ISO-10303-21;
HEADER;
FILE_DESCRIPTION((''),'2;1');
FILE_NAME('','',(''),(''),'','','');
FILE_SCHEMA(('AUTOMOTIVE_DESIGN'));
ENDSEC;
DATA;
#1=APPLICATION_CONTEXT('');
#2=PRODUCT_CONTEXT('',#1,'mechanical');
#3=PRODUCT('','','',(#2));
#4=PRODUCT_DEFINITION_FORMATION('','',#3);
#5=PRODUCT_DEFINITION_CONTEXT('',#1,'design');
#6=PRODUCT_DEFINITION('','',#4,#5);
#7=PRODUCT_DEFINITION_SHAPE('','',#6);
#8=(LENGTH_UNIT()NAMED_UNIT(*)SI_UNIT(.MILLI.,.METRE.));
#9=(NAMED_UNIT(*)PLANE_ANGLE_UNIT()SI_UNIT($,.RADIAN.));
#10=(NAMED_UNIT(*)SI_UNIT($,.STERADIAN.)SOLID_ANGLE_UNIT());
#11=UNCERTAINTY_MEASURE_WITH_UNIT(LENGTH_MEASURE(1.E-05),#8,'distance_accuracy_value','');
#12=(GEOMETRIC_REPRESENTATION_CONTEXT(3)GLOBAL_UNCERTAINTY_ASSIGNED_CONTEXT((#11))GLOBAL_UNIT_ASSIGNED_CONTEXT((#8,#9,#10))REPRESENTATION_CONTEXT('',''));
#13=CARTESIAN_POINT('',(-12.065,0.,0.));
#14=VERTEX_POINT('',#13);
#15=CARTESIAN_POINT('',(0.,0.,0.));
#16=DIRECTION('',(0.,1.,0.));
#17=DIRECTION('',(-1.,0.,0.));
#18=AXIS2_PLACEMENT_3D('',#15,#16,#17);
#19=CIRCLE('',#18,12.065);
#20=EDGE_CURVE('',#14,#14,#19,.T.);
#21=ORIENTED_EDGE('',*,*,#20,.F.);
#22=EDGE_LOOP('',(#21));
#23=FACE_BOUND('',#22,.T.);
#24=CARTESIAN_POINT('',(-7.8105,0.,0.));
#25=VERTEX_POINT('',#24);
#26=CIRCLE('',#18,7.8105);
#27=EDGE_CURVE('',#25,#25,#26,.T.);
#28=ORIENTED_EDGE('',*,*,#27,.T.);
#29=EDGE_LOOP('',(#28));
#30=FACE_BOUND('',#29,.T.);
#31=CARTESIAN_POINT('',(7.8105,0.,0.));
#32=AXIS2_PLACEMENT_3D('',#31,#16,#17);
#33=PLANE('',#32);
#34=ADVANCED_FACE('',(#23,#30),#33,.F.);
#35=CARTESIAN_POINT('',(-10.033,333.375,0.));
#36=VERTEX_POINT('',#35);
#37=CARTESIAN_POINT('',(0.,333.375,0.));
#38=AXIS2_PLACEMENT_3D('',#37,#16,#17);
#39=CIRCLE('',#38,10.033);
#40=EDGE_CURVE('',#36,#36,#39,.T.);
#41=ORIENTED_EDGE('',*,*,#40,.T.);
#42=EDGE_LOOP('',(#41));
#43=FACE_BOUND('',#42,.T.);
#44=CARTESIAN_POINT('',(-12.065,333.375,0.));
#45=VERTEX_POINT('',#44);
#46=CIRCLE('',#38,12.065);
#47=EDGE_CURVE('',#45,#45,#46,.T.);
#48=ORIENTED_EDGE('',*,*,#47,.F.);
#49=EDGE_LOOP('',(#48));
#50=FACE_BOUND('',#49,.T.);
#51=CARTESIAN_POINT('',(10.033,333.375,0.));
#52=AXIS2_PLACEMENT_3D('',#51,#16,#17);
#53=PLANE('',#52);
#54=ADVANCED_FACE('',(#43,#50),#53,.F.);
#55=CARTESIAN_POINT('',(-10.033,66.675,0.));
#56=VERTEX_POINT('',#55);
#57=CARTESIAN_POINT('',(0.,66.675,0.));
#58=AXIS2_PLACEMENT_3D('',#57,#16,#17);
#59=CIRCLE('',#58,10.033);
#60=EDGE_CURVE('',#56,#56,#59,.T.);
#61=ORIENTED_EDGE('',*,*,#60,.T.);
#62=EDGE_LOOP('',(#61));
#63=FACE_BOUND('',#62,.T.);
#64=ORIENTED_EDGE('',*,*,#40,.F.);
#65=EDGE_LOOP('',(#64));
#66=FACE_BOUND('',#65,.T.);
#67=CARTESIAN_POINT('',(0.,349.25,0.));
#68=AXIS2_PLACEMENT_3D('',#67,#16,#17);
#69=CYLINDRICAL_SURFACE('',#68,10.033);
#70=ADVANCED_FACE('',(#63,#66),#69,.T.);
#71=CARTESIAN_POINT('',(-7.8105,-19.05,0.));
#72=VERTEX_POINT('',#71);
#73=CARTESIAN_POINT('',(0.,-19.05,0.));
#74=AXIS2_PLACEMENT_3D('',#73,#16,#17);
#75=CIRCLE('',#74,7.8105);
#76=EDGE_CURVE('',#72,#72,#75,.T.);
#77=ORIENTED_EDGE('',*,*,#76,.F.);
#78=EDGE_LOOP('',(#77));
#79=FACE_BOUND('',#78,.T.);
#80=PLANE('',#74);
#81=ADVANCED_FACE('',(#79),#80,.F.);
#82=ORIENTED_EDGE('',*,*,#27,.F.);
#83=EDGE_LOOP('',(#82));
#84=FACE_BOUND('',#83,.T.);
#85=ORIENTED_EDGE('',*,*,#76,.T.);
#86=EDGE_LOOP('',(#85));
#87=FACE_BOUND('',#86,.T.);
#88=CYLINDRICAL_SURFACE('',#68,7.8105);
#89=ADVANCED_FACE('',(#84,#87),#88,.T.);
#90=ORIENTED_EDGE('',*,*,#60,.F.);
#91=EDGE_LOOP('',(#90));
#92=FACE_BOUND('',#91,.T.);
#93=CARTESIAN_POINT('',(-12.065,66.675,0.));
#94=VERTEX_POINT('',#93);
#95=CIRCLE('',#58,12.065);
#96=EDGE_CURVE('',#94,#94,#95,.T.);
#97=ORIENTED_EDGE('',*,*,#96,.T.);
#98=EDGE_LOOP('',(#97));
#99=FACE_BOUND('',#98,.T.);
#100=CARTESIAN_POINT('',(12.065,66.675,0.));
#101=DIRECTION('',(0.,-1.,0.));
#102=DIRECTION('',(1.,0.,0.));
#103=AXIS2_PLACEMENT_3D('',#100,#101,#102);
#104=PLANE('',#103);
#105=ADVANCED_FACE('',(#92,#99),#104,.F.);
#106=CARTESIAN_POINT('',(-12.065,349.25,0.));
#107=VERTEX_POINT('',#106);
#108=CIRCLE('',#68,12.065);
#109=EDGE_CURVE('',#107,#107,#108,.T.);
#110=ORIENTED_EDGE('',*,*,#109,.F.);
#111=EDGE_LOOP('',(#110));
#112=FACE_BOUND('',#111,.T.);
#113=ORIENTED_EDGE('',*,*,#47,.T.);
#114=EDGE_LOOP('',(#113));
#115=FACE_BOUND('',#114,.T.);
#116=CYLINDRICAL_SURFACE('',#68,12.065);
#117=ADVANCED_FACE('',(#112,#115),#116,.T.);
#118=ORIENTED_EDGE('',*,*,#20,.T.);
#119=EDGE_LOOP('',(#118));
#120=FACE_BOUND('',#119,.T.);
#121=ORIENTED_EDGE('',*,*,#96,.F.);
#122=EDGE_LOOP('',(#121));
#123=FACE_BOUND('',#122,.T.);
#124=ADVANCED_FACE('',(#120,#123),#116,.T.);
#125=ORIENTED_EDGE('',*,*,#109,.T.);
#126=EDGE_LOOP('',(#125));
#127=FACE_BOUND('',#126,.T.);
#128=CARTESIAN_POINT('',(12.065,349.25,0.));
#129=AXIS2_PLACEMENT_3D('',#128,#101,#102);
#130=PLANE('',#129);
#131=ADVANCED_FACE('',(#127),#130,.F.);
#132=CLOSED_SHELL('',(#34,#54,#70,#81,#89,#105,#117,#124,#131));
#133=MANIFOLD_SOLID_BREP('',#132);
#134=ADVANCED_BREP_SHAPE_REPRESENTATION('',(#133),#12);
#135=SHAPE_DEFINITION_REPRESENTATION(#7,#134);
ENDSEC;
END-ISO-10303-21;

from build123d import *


with BuildPart() as part:
    # Sketch1 → Revolve1 (revolve)
    with BuildSketch(Plane.XY, mode=Mode.PRIVATE) as revolve1_sk:
        Polygon((0, -19.05), (7.8105, -19.05), (7.8105, 0), (12.065, 0), (12.065, 66.675), (10.033, 66.675), (10.033, 333.375), (12.065, 333.375), (12.065, 349.25), (0, 349.25), align=None)
    revolve(revolve1_sk.sketch.rotate(Axis((0, 349.25, 0), (0, -1, 0)), 180), axis=Axis((0, 349.25, 0), (0, -1, 0)))


solid = part.part
